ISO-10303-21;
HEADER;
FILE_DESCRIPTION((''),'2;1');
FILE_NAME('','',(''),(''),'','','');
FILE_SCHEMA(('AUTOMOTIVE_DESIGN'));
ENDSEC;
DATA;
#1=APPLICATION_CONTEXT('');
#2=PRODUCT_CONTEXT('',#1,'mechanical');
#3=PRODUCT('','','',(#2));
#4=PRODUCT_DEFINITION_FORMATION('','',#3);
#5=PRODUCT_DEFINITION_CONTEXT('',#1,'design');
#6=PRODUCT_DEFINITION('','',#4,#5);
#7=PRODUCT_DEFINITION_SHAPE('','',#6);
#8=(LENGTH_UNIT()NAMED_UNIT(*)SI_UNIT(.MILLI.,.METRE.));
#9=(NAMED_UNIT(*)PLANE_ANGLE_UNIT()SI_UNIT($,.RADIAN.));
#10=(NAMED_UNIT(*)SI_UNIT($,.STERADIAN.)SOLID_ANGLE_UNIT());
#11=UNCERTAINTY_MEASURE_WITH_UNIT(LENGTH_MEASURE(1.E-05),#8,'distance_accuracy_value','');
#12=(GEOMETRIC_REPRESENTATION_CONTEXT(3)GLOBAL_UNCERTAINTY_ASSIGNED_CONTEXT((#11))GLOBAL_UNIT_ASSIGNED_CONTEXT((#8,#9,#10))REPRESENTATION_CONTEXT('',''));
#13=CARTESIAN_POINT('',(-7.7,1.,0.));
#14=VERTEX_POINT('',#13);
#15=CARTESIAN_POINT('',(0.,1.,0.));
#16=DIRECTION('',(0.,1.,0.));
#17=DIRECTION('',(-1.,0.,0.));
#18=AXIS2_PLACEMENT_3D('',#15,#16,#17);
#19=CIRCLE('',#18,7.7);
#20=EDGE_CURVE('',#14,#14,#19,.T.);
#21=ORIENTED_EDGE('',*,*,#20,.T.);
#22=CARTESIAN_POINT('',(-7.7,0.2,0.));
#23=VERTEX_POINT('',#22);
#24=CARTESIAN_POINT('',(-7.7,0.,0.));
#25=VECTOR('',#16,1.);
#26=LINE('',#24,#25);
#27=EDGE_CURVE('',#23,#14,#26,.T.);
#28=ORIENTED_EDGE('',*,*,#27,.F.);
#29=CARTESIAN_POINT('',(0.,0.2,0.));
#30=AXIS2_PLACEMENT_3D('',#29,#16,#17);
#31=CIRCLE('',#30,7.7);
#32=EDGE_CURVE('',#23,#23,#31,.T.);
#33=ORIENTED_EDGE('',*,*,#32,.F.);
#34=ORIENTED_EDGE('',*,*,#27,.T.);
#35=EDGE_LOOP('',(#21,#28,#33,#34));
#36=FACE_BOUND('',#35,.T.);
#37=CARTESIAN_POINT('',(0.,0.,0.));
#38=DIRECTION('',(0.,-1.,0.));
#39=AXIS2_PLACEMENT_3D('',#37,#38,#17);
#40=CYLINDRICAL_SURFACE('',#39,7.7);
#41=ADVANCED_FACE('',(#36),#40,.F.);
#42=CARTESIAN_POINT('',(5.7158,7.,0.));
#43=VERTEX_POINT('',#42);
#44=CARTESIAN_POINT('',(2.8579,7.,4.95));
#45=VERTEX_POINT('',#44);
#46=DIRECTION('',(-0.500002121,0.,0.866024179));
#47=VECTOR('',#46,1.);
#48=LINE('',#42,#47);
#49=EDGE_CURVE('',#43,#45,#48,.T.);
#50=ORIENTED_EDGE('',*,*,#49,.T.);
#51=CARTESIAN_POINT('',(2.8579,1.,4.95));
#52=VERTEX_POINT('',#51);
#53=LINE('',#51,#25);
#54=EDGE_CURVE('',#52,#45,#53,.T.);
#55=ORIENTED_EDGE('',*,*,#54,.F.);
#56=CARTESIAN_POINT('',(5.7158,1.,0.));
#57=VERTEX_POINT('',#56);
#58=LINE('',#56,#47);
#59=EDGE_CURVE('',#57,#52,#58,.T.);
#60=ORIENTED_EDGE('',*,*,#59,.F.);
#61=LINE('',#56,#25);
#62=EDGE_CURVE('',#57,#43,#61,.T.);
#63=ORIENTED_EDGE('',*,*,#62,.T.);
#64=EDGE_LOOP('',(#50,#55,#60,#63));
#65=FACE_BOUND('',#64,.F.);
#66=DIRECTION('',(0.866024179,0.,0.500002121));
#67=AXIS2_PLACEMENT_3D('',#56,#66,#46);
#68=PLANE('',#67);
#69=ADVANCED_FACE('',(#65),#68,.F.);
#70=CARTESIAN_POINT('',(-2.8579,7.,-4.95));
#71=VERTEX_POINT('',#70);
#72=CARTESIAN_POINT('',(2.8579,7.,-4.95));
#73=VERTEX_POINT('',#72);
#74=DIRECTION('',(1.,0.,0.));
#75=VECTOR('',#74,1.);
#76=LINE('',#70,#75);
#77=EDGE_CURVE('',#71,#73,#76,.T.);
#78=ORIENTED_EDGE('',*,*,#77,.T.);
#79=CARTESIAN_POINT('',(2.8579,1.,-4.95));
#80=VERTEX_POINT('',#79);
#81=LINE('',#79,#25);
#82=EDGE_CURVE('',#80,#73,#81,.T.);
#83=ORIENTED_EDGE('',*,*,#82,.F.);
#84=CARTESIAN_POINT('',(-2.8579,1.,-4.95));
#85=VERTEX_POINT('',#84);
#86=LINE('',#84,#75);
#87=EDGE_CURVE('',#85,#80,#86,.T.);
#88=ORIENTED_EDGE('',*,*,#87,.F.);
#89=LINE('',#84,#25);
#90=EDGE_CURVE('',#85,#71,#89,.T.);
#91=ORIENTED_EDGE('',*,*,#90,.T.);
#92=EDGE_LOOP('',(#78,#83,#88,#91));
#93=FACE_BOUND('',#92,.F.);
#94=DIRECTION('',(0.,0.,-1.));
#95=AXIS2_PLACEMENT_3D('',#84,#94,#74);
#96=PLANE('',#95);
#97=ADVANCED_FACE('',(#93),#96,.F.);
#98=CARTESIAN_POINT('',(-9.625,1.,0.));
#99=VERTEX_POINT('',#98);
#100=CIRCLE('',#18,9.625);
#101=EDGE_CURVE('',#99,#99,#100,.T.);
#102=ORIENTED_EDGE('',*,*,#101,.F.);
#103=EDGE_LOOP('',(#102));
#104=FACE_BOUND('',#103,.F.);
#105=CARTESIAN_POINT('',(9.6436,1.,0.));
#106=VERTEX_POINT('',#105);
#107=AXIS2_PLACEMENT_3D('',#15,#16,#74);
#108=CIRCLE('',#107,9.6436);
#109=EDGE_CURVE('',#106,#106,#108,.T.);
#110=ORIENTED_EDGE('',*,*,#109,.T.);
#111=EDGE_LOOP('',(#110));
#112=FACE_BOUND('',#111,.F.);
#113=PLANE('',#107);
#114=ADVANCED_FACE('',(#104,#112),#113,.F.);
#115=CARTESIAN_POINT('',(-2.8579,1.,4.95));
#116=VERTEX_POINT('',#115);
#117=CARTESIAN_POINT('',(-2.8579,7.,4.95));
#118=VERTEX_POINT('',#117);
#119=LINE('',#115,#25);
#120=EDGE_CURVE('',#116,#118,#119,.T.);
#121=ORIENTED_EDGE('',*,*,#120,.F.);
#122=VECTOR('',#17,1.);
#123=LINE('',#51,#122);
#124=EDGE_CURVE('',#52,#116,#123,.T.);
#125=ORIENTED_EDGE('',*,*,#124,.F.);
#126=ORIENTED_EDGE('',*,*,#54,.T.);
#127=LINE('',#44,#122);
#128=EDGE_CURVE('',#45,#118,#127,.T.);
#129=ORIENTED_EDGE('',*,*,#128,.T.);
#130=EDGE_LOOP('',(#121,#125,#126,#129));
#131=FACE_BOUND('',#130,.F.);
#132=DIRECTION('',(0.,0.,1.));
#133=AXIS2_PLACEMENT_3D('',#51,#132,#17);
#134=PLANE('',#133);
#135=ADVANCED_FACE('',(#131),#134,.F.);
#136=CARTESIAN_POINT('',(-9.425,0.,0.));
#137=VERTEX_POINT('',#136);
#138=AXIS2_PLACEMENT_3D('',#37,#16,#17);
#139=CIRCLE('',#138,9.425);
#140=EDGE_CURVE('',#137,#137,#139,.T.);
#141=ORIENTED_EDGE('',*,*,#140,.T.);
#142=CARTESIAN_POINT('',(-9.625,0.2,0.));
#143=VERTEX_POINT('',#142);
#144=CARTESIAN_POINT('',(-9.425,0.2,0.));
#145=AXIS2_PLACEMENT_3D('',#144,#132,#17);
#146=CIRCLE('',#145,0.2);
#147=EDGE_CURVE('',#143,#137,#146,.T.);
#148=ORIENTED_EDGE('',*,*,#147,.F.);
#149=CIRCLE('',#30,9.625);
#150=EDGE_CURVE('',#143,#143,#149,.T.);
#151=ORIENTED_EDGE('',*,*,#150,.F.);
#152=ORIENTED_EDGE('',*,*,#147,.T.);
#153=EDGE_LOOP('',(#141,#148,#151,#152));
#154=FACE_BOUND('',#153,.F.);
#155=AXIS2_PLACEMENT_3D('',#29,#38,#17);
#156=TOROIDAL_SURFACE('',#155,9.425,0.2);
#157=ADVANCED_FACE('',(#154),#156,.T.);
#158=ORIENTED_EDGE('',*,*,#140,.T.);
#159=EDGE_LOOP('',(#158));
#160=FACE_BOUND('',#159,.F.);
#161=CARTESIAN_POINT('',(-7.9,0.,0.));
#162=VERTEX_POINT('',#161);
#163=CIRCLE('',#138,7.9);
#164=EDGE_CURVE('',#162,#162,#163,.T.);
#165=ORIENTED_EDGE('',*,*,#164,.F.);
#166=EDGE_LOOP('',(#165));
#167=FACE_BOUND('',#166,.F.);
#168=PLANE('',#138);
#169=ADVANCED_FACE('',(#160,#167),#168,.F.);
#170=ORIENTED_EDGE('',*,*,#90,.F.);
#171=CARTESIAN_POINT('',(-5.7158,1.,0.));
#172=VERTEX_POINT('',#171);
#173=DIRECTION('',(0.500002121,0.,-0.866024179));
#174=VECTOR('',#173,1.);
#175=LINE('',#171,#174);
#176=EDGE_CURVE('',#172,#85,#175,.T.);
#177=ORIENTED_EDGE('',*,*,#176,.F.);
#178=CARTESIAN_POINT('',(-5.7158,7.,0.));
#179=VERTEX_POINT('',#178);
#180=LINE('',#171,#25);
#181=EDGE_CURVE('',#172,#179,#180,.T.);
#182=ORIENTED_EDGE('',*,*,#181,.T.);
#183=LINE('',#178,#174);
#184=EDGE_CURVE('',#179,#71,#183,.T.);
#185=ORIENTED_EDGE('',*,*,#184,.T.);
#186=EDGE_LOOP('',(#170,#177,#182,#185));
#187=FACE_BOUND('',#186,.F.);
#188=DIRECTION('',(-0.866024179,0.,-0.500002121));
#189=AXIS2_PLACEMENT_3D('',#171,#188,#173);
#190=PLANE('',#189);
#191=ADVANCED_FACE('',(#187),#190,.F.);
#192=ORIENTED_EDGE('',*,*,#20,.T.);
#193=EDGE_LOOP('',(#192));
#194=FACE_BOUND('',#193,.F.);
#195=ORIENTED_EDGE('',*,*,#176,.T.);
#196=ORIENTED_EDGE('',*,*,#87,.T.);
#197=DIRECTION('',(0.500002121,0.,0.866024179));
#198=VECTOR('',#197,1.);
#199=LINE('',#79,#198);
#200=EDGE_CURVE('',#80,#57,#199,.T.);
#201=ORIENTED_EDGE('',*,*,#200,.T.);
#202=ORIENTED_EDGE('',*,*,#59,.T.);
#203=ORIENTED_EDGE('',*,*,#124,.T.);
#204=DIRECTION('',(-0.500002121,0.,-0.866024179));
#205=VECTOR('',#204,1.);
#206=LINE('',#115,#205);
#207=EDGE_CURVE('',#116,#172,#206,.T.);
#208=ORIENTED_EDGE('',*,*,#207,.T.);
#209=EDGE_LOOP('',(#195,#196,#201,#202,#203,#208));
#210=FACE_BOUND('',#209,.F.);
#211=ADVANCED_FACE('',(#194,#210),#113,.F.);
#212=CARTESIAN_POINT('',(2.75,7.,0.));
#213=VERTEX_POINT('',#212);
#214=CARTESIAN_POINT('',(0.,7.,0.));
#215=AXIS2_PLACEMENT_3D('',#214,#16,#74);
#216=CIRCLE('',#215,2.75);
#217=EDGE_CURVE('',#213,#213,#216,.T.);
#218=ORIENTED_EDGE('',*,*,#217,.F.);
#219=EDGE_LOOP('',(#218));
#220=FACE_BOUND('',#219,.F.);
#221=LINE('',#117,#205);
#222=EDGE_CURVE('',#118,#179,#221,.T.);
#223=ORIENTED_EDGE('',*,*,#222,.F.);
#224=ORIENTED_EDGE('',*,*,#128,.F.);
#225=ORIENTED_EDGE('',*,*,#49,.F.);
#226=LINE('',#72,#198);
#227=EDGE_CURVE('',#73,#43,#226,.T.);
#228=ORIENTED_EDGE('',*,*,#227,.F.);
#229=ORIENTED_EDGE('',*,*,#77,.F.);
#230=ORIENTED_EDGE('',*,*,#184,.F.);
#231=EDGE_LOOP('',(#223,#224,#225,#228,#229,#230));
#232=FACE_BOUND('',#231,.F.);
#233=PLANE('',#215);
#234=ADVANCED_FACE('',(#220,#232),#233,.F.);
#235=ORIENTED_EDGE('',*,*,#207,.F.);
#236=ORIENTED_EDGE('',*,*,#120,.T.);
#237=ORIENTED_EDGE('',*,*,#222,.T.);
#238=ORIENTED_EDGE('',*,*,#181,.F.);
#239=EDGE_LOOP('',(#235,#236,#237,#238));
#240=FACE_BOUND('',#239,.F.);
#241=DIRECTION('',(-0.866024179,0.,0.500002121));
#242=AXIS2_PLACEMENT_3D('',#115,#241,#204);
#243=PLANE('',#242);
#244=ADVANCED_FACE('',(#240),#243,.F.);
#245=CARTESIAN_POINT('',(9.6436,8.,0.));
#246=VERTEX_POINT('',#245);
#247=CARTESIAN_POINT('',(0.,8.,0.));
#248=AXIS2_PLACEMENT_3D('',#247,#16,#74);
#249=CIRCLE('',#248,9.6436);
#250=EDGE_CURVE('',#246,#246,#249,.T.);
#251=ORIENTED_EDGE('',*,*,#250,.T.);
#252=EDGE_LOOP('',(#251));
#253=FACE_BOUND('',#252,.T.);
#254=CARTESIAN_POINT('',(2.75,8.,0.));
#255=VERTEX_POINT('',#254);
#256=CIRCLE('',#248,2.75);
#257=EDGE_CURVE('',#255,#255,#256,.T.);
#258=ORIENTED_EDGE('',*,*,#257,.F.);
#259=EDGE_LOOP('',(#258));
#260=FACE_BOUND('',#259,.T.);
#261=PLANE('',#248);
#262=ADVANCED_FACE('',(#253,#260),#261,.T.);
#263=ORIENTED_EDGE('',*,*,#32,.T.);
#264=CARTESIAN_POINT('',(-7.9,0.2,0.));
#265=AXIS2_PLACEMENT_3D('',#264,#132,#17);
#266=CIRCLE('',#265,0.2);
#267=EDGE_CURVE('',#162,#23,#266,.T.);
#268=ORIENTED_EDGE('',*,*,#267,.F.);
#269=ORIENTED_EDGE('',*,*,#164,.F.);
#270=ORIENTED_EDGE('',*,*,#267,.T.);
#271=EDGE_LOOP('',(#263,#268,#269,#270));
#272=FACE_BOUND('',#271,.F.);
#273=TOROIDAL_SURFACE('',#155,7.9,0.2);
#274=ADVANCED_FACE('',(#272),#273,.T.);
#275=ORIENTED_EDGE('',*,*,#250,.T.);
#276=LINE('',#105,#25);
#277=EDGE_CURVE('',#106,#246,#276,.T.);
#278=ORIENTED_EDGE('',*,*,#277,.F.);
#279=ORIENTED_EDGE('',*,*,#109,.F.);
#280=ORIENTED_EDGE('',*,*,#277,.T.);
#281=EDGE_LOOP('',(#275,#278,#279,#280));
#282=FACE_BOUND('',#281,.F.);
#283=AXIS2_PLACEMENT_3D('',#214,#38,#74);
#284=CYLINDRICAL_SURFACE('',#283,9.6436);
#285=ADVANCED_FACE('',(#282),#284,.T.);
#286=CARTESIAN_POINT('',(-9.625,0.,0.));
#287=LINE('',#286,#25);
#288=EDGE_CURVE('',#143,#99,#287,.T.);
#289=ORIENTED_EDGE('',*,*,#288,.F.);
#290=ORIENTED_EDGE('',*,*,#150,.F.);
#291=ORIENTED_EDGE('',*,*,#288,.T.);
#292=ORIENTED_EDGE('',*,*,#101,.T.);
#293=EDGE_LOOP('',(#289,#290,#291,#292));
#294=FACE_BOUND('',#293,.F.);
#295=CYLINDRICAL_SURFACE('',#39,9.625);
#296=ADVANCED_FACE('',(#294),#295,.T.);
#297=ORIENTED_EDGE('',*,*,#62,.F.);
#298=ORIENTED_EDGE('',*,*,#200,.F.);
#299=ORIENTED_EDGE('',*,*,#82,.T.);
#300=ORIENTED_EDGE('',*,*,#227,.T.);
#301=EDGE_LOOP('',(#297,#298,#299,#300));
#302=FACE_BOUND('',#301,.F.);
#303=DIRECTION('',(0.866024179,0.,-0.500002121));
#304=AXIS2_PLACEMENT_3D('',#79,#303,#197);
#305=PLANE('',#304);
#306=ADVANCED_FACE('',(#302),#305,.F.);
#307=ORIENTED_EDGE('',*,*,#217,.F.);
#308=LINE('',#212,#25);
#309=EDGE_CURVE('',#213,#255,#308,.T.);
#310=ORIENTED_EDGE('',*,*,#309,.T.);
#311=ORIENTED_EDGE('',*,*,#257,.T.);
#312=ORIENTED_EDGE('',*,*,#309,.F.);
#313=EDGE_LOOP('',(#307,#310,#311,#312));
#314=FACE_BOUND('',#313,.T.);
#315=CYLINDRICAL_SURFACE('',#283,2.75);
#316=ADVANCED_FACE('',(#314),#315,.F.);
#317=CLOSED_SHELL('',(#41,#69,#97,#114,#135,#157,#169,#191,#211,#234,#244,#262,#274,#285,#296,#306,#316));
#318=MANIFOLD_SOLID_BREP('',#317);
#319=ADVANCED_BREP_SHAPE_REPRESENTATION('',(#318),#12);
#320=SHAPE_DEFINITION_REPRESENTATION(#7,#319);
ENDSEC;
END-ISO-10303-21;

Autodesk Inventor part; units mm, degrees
ref_plane "YZ Plane" through (0, 0, 0) normal (1, 0, 0) x (0, 1, 0)
ref_plane "XZ Plane" through (0, 0, 0) normal (0, 1, 0) x (-1, 0, 0)
ref_plane "XY Plane" through (0, 0, 0) normal (0, 0, 1) x (1, 0, 0)
sketch "Sketch1" plane through (0, 0, 0) normal (0, 1, 0) x (-1, 0, 0)
  circle A0 centre (0, 0) radius 9.625
  circle A1 centre (0, 0) radius 7.7
  dimension "d0" = 19.25
  dimension "d1" = 15.4
extrude "Extrusion1" add sketch "Sketch1" along normal blind 1
sketch "Sketch2" plane through (0, 1, 0) normal (0, 1, 0) x (1, 0, 0)
  circle A0 centre (0, 0) radius 9.6436
  line L0 (-2.8579, 4.95) -> (2.8579, 4.95)
  line L1 (2.8579, 4.95) -> (5.7158, 0)
  line L2 (5.7158, 0) -> (2.8579, -4.95)
  line L3 (2.8579, -4.95) -> (-2.8579, -4.95)
  line L4 (-2.8579, -4.95) -> (-5.7158, 0)
  line L5 (-5.7158, 0) -> (-2.8579, 4.95)
  line L6 (0, 0) -> (0, -3.104)
  line L7 (0, 0) -> (3.104, 0) construction
  dimension "d4" = 9.9
  dimension "d5" = 90
extrude "Extrusion2" add sketch "Sketch2" along normal blind 6
sketch "Sketch3" plane through (0, 7, 0) normal (0, 1, 0) x (1, 0, 0)
  circle A0 centre (0, 0) radius 9.6436
  circle A1 centre (0, 0) radius 2.75
  circle A2 centre (0, 0) radius 9.6436 projected
  dimension "d8" = 5.5
  dimension "d9" = 0
extrude "Extrusion3" add sketch "Sketch3" along normal blind 1
fillet "Fillet1" radius 0.2 2 edges at (9.625, 0, 0) (7.7, 0, 0)
properties part number "NutRetainer"
